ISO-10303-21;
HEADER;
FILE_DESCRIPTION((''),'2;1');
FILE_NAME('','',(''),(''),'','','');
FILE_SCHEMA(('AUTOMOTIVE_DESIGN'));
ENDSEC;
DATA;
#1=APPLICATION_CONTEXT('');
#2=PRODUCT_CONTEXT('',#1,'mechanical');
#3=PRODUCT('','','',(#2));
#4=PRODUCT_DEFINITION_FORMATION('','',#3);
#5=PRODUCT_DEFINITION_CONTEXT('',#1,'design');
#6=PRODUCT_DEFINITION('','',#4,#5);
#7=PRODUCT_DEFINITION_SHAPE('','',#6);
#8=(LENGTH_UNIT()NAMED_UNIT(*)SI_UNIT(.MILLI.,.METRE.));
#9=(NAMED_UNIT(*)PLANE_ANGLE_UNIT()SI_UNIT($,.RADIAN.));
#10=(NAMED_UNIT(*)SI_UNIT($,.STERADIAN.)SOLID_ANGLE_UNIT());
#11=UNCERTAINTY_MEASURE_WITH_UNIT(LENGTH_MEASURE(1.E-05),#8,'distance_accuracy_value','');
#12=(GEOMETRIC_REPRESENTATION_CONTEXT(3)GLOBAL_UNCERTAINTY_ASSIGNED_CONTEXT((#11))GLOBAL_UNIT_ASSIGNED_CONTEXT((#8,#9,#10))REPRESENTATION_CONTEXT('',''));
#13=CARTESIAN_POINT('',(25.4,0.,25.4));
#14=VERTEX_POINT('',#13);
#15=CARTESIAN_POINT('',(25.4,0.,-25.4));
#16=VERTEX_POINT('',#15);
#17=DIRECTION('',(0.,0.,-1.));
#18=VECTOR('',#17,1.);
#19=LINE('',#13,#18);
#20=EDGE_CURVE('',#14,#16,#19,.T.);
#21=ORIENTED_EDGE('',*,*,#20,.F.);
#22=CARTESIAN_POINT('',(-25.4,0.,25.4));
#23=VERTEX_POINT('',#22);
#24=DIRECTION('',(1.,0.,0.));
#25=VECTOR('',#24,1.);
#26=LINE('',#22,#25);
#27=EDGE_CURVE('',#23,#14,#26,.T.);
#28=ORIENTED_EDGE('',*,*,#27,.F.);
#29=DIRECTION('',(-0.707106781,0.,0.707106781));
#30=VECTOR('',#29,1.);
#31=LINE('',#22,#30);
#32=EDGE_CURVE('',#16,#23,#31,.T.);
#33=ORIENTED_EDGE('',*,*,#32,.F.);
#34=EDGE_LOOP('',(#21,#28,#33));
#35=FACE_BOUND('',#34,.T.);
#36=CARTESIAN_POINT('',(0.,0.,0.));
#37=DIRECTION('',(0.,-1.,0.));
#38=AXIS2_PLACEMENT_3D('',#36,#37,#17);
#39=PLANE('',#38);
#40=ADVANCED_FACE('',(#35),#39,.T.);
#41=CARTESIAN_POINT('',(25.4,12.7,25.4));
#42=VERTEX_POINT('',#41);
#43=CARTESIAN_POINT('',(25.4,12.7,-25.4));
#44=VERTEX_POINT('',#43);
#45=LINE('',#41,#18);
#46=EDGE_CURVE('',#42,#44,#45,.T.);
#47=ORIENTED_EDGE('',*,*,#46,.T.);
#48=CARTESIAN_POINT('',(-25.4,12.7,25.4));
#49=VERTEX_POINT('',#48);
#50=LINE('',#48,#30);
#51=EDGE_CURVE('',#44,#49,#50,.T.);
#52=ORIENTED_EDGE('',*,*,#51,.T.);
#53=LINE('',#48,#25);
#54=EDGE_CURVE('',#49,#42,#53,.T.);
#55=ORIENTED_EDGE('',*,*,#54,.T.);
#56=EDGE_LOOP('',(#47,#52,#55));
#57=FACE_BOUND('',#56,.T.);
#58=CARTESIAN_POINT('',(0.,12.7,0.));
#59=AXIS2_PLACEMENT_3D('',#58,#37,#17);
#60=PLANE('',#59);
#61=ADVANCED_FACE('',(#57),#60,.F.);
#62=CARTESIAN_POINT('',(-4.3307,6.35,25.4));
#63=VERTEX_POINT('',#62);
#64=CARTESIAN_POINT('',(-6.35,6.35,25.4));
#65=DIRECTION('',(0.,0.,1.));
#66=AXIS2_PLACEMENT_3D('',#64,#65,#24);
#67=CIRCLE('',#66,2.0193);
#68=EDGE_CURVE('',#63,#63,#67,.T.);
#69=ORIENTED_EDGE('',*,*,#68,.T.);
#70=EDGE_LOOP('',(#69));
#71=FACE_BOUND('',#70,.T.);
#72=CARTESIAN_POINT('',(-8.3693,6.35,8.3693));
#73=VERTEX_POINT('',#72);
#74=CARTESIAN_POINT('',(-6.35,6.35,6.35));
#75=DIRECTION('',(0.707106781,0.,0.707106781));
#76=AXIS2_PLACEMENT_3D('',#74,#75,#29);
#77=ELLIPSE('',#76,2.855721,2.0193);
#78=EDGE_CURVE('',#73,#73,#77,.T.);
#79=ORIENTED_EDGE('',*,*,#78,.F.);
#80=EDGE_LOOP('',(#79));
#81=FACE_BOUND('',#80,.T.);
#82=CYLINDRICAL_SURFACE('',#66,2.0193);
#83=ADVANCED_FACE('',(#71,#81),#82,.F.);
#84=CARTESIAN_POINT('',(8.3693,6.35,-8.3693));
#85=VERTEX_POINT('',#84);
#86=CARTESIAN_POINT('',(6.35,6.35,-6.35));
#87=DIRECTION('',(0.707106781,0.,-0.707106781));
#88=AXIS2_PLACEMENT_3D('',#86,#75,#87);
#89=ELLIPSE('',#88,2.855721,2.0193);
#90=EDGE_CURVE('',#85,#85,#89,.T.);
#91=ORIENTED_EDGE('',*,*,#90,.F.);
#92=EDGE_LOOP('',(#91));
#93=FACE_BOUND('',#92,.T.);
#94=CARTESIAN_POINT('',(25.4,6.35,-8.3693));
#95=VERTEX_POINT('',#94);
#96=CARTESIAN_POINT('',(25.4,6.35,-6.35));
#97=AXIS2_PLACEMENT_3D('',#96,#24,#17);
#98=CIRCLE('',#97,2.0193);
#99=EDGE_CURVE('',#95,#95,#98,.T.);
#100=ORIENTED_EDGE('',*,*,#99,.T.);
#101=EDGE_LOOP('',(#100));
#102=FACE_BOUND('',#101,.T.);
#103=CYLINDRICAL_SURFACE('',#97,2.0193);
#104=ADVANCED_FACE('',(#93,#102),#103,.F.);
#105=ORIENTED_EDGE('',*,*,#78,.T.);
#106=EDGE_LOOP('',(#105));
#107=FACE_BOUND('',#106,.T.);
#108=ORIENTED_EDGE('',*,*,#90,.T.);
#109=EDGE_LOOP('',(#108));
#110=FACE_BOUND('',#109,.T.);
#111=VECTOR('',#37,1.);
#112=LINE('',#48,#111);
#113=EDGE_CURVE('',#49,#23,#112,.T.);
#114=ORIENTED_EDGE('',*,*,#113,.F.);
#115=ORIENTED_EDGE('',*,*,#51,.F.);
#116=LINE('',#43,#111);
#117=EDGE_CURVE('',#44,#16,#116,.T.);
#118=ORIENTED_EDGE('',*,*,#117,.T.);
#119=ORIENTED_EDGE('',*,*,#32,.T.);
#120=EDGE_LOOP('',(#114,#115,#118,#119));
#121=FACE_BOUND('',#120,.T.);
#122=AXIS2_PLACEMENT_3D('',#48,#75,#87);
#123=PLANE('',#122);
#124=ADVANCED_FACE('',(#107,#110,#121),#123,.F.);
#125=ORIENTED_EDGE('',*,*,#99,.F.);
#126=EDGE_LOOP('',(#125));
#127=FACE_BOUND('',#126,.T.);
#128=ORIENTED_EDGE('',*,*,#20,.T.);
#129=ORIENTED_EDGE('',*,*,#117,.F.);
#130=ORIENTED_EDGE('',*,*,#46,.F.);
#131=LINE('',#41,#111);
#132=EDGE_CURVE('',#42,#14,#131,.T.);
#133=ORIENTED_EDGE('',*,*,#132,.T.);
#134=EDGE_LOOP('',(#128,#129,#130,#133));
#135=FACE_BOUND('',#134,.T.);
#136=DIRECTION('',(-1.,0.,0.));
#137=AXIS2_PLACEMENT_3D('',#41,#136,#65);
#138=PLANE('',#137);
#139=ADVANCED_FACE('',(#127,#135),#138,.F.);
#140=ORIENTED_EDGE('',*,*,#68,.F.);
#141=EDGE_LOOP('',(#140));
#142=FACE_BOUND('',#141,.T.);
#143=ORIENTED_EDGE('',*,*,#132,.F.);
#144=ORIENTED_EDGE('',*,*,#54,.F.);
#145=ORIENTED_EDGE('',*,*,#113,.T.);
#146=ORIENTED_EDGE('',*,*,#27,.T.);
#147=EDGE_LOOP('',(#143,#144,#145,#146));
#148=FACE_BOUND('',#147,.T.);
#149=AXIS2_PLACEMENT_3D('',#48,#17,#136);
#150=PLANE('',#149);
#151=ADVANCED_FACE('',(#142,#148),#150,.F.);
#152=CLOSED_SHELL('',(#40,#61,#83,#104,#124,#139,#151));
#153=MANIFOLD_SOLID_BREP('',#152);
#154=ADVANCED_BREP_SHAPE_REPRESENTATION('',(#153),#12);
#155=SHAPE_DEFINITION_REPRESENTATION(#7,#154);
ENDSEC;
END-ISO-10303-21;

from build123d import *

# Parameters (mm, degrees)
BOSS_EXTRUDE1_DEPTH        = 12.7
F_10_32_TAPPED_HOLE1_D     = 4.0386
F_10_32_TAPPED_HOLE1_DEPTH = 25.4
F_10_32_TAPPED_HOLE1_TIP   = 1.213317848
F_10_32_TAPPED_HOLE2_D     = 4.0386
F_10_32_TAPPED_HOLE2_DEPTH = 25.4
F_10_32_TAPPED_HOLE2_TIP   = 1.213317848


with BuildPart() as part:
    # Sketch1 → Boss-Extrude1 (new body)
    with BuildSketch(Plane(origin=(0, 0, 0), x_dir=(1, 0, 0), z_dir=(0, 1, 0))):
        Polygon((-25.4, -25.4), (25.4, 25.4), (25.4, -25.4), align=None)
    extrude(amount=BOSS_EXTRUDE1_DEPTH)

    # #10-32 Tapped Hole1
    with Locations(Plane(origin=(25.4, 0, 0), x_dir=(0, 0, -1), z_dir=(1, 0, 0))):
        with Locations((6.35, 6.35)):
            Hole(F_10_32_TAPPED_HOLE1_D / 2, depth=F_10_32_TAPPED_HOLE1_DEPTH)
            with Locations((0, 0, -(F_10_32_TAPPED_HOLE1_DEPTH + F_10_32_TAPPED_HOLE1_TIP / 2))):  # 118° drill point
                Cone(0, F_10_32_TAPPED_HOLE1_D / 2, F_10_32_TAPPED_HOLE1_TIP, mode=Mode.SUBTRACT)

    # #10-32 Tapped Hole2
    with Locations(Plane.XY.offset(25.4)):
        with Locations((-6.35, 6.35)):
            Hole(F_10_32_TAPPED_HOLE2_D / 2, depth=F_10_32_TAPPED_HOLE2_DEPTH)
            with Locations((0, 0, -(F_10_32_TAPPED_HOLE2_DEPTH + F_10_32_TAPPED_HOLE2_TIP / 2))):  # 118° drill point
                Cone(0, F_10_32_TAPPED_HOLE2_D / 2, F_10_32_TAPPED_HOLE2_TIP, mode=Mode.SUBTRACT)


solid = part.part
